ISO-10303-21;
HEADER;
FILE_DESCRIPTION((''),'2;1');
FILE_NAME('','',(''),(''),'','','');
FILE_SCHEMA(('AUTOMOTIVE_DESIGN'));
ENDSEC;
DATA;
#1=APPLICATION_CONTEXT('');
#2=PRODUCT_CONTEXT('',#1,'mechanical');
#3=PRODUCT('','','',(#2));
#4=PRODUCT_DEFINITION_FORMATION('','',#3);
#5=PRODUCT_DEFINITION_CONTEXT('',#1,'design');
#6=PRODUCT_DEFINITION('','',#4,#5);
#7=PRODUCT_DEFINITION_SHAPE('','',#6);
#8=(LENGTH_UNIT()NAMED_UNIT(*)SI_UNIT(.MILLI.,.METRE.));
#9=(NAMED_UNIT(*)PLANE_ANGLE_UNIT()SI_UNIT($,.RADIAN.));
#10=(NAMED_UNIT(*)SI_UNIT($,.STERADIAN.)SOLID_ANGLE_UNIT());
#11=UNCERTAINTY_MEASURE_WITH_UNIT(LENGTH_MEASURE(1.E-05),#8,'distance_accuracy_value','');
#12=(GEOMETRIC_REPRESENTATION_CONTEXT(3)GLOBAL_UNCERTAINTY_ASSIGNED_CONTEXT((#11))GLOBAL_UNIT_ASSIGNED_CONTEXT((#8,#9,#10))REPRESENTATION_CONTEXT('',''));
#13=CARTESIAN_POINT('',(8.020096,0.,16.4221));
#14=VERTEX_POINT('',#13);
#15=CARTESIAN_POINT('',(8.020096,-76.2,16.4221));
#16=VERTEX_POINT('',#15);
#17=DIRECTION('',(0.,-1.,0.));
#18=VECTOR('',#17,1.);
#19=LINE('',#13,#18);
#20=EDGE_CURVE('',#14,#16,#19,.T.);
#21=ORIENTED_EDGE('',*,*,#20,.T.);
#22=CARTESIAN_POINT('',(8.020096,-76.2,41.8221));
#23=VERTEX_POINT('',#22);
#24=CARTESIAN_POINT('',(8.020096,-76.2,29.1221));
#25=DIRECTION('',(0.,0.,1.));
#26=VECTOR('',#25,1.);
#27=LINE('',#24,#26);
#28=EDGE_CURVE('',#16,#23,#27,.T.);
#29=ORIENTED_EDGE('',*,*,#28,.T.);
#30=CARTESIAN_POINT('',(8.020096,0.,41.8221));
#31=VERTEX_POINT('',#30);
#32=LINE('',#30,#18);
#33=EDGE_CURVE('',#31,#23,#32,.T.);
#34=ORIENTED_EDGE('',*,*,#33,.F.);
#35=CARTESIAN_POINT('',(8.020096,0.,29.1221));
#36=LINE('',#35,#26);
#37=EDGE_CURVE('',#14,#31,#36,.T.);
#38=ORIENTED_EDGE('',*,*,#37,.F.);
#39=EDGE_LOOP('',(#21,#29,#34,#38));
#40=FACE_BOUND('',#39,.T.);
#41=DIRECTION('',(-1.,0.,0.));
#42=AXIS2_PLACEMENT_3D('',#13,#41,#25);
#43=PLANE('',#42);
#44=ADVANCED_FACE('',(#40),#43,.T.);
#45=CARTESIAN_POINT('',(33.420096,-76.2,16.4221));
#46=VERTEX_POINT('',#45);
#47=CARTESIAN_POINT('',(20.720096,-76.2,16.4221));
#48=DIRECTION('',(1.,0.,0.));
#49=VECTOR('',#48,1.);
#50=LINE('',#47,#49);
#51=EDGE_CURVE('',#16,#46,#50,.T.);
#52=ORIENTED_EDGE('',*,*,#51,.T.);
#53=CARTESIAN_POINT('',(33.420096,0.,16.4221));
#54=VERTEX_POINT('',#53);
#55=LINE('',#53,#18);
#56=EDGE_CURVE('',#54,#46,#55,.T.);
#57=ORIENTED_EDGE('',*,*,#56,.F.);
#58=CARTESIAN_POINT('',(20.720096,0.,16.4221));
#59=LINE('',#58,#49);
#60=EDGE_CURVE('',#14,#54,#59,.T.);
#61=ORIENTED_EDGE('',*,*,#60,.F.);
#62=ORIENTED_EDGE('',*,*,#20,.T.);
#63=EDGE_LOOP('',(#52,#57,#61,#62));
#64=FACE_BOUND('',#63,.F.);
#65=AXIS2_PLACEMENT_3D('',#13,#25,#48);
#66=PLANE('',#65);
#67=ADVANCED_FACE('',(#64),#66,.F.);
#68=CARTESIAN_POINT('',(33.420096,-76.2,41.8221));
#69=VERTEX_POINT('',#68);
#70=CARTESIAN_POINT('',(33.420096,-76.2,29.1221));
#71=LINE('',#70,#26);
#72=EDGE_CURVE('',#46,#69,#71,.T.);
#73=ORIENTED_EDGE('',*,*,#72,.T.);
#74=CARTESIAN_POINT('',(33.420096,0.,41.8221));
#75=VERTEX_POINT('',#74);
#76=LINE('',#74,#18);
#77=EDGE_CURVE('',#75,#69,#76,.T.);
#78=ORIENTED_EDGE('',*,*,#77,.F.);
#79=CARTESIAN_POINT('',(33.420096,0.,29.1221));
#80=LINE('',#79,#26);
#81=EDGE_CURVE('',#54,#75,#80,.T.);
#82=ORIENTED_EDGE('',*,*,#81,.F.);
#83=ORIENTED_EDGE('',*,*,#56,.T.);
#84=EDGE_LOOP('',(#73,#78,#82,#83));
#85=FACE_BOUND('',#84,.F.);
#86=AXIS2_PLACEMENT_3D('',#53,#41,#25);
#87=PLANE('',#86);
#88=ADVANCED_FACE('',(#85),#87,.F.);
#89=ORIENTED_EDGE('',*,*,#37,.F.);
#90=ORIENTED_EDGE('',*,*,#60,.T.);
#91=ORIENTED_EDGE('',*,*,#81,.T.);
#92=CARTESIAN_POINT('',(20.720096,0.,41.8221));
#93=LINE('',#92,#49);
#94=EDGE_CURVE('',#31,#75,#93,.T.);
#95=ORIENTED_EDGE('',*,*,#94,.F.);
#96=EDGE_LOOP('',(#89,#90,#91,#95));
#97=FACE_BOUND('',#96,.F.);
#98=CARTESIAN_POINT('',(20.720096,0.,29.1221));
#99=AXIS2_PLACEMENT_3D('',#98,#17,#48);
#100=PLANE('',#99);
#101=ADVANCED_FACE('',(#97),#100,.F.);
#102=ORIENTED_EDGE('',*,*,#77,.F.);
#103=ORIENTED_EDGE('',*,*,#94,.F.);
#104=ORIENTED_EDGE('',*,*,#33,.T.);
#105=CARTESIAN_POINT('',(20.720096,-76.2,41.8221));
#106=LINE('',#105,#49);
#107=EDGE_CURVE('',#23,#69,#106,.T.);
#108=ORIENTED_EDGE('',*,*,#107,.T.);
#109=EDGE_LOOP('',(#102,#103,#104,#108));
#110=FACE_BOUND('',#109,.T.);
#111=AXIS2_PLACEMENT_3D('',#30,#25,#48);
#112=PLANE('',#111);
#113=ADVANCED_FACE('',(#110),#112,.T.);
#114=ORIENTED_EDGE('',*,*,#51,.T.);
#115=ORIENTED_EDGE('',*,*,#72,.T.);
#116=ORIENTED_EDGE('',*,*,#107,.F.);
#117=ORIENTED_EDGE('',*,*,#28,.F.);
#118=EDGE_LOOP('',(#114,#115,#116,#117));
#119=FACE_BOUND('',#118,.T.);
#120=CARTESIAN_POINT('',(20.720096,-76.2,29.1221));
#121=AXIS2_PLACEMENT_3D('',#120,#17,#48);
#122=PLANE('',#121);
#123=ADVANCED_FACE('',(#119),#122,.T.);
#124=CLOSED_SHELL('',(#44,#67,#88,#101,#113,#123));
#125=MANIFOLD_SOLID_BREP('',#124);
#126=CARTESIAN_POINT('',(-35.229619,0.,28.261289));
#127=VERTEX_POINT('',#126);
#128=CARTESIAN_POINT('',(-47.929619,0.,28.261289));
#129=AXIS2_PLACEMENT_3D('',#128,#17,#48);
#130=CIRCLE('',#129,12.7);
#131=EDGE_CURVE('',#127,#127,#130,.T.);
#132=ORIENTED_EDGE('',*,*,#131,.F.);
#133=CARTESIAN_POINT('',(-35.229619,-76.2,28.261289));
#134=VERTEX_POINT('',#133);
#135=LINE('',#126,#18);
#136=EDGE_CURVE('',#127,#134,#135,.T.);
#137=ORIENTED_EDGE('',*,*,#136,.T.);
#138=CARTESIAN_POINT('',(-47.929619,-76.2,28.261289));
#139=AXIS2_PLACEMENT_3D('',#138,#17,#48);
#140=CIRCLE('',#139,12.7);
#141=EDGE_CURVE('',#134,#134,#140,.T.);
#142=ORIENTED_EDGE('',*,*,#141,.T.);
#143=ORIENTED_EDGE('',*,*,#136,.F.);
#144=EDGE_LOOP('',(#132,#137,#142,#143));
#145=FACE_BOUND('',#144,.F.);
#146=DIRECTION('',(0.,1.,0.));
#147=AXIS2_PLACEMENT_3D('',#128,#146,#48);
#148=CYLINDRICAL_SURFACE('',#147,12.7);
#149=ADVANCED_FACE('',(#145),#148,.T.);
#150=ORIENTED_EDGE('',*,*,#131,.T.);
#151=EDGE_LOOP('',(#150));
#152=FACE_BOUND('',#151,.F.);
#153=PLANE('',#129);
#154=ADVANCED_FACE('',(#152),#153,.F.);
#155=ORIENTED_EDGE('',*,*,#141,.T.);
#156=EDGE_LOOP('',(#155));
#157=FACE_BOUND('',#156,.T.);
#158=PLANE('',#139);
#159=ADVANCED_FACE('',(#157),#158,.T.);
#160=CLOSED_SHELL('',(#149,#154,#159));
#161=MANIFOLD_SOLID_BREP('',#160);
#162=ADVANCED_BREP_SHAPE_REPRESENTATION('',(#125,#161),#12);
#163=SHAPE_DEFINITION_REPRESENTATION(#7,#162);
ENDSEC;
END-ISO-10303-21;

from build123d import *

# Parameters (mm, degrees)
F0_R     = 12.7
F0_W     = 25.4
F0_H     = 25.4
F1_DEPTH = 76.2


with BuildPart() as f1:
    # F0 (on Front) → F1 (new body)
    with BuildSketch(Plane.XZ):
        with Locations((-47.929619, 28.261289)):
            Circle(F0_R)
        with Locations((20.720096, 29.1221)):
            Rectangle(F0_W, F0_H)
    extrude(amount=F1_DEPTH)


solid = f1.part
